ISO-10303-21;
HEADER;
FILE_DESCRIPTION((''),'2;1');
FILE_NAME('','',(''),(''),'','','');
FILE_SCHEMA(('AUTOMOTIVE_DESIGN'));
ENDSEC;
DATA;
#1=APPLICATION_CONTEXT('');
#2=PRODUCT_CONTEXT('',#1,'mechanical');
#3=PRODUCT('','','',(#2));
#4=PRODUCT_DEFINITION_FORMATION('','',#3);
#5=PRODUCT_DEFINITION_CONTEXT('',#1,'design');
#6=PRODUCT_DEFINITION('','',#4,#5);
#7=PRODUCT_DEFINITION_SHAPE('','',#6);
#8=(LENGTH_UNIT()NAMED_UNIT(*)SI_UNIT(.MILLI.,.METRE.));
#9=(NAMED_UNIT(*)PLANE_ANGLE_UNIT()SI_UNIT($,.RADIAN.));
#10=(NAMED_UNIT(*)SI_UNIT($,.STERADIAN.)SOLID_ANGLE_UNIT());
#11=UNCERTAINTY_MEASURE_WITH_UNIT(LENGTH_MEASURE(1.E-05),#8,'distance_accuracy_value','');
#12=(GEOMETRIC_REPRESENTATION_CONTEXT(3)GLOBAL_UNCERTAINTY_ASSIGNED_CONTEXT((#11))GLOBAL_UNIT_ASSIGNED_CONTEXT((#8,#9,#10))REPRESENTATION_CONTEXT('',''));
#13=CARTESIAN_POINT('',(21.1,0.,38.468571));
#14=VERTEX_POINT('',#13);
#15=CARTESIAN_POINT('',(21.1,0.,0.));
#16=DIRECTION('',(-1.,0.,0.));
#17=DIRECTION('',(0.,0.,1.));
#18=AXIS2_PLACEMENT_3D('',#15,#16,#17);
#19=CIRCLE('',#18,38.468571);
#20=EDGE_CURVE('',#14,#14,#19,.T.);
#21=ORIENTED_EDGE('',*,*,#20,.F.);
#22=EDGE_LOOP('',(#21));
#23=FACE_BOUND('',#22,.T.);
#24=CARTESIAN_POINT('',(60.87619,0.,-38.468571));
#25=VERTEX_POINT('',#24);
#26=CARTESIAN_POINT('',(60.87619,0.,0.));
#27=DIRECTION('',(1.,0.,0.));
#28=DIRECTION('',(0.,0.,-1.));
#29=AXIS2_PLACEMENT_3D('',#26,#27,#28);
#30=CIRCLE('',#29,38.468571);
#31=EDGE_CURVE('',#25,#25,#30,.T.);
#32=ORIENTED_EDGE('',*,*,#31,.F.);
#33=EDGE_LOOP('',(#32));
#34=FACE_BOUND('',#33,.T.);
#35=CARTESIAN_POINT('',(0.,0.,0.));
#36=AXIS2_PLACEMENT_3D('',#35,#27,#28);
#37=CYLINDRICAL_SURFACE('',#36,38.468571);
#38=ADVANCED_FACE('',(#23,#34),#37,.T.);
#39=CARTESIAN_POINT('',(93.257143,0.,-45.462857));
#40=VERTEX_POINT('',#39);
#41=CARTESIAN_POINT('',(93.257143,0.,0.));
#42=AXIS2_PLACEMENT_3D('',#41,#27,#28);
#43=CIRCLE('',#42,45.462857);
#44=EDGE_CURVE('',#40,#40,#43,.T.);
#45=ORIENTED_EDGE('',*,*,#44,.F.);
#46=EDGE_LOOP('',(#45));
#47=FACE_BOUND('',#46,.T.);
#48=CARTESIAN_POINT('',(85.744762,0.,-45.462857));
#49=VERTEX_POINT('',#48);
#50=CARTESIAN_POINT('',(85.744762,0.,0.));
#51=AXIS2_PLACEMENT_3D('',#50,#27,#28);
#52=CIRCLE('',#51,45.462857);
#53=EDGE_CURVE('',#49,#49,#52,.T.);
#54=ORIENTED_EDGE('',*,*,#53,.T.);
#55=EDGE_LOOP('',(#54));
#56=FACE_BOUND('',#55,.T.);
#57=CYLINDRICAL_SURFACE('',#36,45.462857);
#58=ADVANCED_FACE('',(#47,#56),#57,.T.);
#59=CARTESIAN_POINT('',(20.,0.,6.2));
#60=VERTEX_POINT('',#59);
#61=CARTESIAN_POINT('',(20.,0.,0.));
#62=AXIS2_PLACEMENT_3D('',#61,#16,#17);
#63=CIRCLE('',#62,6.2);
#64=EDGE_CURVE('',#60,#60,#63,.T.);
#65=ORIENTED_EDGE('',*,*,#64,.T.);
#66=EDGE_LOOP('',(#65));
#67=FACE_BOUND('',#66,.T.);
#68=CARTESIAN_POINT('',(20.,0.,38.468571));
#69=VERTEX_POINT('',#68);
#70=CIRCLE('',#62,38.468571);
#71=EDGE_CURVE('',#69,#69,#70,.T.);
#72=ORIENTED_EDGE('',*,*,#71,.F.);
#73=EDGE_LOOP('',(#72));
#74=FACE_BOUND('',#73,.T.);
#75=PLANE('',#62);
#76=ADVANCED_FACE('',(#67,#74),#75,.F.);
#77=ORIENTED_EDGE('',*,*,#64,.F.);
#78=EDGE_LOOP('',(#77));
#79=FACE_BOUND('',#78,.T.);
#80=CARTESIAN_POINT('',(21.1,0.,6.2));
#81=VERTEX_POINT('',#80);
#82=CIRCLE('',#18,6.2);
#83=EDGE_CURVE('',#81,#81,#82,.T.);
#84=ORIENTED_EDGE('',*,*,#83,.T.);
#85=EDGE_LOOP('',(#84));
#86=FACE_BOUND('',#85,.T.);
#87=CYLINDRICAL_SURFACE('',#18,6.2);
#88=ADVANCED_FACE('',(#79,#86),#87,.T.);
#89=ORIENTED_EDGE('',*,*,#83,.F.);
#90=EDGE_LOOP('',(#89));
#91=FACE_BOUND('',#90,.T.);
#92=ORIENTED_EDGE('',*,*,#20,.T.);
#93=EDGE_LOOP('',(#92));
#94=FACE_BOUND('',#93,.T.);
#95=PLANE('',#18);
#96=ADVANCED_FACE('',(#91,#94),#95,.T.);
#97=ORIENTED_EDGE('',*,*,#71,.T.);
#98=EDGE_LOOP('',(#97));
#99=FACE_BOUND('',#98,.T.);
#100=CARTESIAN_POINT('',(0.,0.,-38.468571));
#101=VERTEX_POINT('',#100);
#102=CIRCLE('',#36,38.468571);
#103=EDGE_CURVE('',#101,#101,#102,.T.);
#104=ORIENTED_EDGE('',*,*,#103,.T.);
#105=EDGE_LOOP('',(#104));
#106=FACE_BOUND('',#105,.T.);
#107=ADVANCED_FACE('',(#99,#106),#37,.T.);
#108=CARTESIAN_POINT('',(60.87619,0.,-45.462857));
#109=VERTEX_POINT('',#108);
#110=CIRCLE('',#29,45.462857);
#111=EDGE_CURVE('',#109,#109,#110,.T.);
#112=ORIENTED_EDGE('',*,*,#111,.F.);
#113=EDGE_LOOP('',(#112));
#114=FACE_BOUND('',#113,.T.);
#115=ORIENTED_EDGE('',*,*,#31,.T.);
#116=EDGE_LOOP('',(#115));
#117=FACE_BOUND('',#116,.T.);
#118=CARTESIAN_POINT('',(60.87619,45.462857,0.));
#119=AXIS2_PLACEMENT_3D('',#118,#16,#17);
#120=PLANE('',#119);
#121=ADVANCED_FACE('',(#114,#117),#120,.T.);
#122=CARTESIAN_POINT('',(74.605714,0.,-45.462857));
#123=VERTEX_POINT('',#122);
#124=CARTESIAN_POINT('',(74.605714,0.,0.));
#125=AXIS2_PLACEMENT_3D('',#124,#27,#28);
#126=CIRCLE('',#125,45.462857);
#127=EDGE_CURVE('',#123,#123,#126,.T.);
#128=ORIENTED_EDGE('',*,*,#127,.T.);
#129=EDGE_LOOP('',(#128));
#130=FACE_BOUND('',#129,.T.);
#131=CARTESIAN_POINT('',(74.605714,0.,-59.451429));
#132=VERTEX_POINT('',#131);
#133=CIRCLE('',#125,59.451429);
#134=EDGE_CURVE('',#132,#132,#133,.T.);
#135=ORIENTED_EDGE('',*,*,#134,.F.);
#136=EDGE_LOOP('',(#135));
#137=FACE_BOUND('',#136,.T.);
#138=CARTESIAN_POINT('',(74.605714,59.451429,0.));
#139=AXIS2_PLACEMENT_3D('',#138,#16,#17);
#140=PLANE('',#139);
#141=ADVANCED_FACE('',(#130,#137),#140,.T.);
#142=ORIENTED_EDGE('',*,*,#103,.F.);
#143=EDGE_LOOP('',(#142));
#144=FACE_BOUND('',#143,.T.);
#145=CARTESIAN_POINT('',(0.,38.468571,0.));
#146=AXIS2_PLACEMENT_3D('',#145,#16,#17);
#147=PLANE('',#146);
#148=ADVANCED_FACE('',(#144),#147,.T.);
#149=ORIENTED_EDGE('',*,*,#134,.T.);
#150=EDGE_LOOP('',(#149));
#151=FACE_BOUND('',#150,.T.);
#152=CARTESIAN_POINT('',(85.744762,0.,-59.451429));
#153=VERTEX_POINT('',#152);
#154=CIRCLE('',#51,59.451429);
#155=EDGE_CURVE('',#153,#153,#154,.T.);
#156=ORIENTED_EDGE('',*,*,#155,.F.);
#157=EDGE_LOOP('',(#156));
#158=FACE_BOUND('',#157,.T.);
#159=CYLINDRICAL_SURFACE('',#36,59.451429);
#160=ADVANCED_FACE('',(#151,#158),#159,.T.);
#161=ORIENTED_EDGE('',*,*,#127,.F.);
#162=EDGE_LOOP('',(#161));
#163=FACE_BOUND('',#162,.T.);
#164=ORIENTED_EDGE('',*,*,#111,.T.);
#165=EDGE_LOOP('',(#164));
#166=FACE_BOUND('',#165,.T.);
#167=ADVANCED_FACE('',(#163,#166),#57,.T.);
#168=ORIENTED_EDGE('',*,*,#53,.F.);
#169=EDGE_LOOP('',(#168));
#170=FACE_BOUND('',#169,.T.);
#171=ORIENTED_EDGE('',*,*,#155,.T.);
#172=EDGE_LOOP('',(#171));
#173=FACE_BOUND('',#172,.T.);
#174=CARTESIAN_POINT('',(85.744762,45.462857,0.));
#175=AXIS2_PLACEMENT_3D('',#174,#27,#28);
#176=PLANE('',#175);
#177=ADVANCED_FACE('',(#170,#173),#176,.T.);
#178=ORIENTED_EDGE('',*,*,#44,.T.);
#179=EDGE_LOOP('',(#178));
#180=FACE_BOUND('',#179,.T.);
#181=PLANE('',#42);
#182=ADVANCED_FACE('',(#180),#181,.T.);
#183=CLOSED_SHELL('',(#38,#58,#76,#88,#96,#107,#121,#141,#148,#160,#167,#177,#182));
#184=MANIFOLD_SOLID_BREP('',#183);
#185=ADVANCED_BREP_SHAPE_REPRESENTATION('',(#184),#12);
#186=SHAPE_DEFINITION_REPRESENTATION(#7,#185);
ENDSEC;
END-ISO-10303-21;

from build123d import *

# Parameters (mm, degrees)
SKICA3_R                 = 38.468571429
SKICA3_R_2               = 6.2
ODEBRAT_VYSUNUT_M1_DEPTH = 1.1


with BuildPart() as part:
    # Skica1 → Rotovat1 (revolve)
    with BuildSketch(Plane.XY):
        Polygon((0, 0), (93.257142857, 0), (93.257142857, 45.462857143), (85.744761905, 45.462857143), (85.744761905, 59.451428571), (74.605714286, 59.451428571), (74.605714286, 45.462857143), (60.876190476, 45.462857143), (60.876190476, 38.468571429), (0, 38.468571429), align=None)
    revolve(axis=Axis((0, 0, 0), (-1, 0, 0)))

    # Skica3 → Odebrat vysunutím1 (cut)
    with BuildSketch(Plane.ZY.offset(-20)):
        Circle(SKICA3_R)
        Circle(SKICA3_R_2, mode=Mode.SUBTRACT)
    extrude(amount=-ODEBRAT_VYSUNUT_M1_DEPTH, mode=Mode.SUBTRACT)


solid = part.part
